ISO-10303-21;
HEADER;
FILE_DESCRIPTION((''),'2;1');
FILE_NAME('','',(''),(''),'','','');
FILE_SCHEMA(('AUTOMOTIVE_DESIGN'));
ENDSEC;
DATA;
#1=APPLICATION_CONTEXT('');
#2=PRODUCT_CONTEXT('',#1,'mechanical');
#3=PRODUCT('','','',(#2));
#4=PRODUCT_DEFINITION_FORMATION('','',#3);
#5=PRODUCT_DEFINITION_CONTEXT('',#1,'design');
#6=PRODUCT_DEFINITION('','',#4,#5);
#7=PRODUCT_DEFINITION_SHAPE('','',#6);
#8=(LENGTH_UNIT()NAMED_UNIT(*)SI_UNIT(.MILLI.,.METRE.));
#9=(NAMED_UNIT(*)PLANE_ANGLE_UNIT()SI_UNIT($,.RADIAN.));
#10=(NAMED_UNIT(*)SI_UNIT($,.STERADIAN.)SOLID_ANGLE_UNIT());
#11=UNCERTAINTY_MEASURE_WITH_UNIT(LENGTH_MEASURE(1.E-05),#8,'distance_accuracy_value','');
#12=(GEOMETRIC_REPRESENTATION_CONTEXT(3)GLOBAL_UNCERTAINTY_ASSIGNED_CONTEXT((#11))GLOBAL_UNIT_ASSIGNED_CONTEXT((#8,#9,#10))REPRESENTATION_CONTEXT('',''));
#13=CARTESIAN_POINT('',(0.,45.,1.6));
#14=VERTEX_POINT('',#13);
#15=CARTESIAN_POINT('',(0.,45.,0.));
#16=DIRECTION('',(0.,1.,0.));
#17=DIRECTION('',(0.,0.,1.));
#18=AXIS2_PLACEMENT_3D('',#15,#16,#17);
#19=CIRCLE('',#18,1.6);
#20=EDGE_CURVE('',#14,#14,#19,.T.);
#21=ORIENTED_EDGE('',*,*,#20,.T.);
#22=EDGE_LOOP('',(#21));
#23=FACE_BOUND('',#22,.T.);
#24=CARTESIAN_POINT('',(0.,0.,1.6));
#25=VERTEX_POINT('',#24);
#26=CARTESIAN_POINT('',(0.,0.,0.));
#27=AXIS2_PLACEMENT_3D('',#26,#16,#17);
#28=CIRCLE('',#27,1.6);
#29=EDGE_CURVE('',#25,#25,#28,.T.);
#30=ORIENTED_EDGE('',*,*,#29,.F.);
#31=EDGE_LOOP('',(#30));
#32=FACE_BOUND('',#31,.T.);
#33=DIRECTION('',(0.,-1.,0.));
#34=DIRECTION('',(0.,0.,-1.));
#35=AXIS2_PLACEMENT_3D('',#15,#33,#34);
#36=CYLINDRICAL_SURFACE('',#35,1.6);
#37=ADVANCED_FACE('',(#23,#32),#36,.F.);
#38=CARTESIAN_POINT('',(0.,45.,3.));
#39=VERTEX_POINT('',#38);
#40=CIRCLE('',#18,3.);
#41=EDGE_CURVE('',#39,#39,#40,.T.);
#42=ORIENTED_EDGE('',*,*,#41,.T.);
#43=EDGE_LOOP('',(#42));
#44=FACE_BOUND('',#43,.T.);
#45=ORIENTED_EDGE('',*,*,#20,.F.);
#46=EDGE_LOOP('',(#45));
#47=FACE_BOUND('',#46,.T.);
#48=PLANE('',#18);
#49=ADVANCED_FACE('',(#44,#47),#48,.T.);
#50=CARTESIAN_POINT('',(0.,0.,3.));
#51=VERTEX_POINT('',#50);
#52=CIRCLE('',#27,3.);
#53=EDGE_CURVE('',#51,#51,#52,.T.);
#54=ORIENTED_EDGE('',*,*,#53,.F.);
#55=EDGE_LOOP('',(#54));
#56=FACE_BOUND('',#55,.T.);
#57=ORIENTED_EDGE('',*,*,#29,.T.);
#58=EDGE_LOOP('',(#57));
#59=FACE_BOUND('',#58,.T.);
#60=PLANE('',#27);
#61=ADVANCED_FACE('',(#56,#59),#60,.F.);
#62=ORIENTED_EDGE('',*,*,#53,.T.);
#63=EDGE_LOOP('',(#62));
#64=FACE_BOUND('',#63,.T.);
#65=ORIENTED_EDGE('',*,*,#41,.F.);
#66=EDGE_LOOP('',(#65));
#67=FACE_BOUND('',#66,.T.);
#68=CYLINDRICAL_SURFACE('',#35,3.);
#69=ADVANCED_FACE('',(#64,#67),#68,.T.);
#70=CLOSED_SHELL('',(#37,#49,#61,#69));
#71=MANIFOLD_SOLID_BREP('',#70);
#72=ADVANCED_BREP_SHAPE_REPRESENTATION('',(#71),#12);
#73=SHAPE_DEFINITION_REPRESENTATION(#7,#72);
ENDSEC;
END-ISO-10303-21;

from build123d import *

# Parameters (mm, degrees)
SKETCH_1_R      = 3
SKETCH_1_R_2    = 1.6
EXTRUDE_1_DEPTH = 45


with BuildPart() as part:
    # 草图1 → 凸台-拉伸1 (new body)
    with BuildSketch(Plane(origin=(0, 0, 0), x_dir=(1, 0, 0), z_dir=(0, 1, 0))):
        Circle(SKETCH_1_R)
        Circle(SKETCH_1_R_2, mode=Mode.SUBTRACT)
    extrude(amount=EXTRUDE_1_DEPTH)


solid = part.part
